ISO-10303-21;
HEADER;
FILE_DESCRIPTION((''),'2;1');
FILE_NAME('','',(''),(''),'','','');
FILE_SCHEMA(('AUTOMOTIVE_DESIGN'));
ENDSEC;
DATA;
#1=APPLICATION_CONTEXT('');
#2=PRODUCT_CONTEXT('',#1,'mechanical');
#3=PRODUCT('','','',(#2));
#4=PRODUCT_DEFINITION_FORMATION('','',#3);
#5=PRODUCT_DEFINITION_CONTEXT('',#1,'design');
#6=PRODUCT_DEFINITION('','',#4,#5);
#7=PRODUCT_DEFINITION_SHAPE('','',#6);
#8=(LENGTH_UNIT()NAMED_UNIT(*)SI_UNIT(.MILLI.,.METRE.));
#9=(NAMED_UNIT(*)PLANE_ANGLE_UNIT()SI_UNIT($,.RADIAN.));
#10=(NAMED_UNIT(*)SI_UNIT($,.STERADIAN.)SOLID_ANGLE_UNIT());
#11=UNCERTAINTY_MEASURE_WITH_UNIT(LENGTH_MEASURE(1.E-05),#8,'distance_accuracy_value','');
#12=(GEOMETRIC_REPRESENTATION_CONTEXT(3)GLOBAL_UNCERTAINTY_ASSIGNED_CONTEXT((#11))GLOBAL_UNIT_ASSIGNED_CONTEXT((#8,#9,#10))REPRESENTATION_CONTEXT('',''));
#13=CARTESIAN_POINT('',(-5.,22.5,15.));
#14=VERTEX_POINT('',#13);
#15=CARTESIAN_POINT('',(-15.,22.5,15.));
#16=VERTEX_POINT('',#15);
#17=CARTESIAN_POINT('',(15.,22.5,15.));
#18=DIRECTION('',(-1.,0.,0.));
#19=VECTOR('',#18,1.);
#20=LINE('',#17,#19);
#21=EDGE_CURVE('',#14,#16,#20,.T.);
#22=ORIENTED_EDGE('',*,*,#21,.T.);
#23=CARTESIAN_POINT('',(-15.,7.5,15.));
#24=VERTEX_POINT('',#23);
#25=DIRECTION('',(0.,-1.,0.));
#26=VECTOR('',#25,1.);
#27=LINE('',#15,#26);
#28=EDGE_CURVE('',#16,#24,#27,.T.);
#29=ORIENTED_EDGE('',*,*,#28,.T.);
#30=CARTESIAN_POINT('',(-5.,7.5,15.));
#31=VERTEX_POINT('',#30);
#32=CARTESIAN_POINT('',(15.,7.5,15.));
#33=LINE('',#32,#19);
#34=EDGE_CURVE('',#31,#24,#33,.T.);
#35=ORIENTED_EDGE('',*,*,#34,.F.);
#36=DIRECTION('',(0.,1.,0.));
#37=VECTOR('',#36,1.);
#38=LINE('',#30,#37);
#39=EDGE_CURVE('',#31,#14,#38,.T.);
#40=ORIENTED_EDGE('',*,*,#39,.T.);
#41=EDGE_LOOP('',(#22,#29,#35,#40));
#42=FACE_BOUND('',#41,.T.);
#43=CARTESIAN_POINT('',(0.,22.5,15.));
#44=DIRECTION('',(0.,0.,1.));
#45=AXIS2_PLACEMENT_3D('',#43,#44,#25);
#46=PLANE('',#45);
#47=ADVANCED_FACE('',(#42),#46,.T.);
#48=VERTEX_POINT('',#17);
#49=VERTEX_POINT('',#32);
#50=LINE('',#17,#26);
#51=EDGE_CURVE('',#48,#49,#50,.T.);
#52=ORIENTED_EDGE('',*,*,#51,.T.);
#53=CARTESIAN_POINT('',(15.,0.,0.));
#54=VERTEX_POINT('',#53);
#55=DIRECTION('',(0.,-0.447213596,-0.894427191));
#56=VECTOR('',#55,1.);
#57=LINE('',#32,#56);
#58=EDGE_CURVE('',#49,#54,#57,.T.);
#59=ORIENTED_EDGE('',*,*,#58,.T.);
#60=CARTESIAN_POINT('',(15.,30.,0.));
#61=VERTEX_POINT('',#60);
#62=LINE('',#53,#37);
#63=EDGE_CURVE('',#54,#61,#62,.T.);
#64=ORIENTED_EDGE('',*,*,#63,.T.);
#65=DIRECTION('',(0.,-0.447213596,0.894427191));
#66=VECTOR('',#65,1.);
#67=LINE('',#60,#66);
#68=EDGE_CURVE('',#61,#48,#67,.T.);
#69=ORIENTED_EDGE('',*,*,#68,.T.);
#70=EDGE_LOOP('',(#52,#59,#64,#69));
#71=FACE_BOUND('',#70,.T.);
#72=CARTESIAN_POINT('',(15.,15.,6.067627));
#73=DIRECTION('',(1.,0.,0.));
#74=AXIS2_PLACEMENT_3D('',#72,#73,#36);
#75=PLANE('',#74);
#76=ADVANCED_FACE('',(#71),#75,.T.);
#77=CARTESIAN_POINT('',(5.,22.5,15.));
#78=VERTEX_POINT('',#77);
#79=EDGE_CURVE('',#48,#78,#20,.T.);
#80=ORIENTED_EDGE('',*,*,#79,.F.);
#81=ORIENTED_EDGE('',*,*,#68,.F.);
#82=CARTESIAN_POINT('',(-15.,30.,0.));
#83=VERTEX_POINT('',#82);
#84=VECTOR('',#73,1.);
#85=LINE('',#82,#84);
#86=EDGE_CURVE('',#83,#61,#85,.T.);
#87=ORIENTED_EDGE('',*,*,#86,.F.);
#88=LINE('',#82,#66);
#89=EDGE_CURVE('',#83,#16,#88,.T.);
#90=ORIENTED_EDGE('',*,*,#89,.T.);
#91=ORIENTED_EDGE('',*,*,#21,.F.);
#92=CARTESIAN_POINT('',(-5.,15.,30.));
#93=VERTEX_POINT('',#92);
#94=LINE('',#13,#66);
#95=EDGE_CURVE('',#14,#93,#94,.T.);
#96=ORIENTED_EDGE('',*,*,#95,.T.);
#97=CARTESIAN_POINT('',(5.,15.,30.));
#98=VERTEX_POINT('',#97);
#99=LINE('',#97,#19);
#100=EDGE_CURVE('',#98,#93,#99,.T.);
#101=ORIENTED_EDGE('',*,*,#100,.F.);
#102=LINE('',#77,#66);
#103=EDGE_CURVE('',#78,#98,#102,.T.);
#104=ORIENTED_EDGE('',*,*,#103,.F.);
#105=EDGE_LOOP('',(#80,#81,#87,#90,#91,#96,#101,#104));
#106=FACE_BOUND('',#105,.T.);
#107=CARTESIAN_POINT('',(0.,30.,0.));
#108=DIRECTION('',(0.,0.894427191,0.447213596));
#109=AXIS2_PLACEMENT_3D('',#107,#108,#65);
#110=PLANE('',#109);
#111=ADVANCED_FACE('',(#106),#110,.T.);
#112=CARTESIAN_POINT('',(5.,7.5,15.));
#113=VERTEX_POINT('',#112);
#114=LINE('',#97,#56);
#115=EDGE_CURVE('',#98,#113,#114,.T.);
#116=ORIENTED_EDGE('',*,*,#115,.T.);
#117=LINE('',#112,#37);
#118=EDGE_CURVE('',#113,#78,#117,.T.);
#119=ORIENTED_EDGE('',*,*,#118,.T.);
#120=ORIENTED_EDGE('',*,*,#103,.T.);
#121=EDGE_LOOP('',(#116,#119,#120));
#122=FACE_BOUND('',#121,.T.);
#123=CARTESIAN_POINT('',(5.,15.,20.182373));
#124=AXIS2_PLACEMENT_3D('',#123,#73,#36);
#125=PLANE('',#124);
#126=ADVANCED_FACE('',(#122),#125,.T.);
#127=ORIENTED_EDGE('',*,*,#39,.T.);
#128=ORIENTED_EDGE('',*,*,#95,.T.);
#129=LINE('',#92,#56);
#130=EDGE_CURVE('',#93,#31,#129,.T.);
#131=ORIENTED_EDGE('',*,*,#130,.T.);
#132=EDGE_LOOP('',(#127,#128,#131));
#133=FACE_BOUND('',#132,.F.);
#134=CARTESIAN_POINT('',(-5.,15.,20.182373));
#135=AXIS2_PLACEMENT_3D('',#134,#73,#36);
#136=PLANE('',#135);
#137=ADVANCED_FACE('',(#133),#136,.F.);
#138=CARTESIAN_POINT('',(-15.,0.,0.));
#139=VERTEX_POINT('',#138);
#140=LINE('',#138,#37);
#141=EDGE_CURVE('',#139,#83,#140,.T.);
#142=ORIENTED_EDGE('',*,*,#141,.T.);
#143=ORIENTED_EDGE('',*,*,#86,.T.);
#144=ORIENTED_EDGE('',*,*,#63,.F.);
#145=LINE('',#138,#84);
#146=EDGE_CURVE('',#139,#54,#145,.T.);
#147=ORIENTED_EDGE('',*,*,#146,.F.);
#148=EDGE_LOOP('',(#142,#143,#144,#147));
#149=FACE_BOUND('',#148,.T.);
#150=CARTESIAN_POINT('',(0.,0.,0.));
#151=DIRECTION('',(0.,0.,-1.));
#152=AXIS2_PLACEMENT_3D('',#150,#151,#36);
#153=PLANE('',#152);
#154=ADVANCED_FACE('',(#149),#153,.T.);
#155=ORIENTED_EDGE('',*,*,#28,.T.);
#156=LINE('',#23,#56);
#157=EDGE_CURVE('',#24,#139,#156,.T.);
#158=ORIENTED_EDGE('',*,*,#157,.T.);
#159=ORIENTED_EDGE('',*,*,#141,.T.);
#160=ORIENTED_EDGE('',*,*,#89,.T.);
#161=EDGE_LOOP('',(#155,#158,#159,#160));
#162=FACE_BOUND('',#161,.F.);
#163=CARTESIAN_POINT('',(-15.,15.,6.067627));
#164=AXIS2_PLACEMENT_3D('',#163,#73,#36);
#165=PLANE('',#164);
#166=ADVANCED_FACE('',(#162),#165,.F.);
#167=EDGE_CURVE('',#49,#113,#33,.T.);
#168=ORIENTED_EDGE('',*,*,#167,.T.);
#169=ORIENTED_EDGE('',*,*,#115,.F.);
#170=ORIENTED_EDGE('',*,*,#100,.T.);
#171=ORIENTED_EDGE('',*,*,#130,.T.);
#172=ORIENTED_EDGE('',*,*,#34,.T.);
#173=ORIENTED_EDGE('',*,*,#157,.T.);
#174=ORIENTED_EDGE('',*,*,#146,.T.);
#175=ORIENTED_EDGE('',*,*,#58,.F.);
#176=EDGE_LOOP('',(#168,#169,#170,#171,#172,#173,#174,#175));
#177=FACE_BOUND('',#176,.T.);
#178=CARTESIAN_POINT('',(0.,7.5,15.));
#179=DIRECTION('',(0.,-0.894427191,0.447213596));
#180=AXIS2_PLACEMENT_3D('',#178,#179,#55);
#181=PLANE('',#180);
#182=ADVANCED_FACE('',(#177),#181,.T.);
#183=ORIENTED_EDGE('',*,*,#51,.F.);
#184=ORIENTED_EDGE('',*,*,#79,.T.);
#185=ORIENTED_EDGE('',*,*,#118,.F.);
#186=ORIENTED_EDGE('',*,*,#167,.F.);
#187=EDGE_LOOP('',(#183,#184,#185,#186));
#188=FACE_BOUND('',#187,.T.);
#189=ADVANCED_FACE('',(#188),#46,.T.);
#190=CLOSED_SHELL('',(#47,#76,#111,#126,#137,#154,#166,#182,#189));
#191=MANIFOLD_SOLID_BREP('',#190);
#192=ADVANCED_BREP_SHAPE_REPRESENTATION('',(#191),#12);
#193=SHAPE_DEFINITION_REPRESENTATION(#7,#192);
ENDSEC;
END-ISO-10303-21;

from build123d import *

# Parameters (mm, degrees)
F1_DEPTH = 15
F2_DEPTH = 5


with BuildPart() as f1:
    # F0 (on Right) → F1 (new body, symmetric)
    with BuildSketch(Plane.YZ):
        Polygon((7.5, 15), (0, 0), (30, 0), (22.5, 15), align=None)
    extrude(amount=F1_DEPTH, both=True)

    # F0 (on Right) → F2 (join, symmetric)
    with BuildSketch(Plane.YZ):
        Polygon((15, 30), (7.5, 15), (22.5, 15), align=None)
    extrude(amount=F2_DEPTH, both=True)


solid = f1.part
